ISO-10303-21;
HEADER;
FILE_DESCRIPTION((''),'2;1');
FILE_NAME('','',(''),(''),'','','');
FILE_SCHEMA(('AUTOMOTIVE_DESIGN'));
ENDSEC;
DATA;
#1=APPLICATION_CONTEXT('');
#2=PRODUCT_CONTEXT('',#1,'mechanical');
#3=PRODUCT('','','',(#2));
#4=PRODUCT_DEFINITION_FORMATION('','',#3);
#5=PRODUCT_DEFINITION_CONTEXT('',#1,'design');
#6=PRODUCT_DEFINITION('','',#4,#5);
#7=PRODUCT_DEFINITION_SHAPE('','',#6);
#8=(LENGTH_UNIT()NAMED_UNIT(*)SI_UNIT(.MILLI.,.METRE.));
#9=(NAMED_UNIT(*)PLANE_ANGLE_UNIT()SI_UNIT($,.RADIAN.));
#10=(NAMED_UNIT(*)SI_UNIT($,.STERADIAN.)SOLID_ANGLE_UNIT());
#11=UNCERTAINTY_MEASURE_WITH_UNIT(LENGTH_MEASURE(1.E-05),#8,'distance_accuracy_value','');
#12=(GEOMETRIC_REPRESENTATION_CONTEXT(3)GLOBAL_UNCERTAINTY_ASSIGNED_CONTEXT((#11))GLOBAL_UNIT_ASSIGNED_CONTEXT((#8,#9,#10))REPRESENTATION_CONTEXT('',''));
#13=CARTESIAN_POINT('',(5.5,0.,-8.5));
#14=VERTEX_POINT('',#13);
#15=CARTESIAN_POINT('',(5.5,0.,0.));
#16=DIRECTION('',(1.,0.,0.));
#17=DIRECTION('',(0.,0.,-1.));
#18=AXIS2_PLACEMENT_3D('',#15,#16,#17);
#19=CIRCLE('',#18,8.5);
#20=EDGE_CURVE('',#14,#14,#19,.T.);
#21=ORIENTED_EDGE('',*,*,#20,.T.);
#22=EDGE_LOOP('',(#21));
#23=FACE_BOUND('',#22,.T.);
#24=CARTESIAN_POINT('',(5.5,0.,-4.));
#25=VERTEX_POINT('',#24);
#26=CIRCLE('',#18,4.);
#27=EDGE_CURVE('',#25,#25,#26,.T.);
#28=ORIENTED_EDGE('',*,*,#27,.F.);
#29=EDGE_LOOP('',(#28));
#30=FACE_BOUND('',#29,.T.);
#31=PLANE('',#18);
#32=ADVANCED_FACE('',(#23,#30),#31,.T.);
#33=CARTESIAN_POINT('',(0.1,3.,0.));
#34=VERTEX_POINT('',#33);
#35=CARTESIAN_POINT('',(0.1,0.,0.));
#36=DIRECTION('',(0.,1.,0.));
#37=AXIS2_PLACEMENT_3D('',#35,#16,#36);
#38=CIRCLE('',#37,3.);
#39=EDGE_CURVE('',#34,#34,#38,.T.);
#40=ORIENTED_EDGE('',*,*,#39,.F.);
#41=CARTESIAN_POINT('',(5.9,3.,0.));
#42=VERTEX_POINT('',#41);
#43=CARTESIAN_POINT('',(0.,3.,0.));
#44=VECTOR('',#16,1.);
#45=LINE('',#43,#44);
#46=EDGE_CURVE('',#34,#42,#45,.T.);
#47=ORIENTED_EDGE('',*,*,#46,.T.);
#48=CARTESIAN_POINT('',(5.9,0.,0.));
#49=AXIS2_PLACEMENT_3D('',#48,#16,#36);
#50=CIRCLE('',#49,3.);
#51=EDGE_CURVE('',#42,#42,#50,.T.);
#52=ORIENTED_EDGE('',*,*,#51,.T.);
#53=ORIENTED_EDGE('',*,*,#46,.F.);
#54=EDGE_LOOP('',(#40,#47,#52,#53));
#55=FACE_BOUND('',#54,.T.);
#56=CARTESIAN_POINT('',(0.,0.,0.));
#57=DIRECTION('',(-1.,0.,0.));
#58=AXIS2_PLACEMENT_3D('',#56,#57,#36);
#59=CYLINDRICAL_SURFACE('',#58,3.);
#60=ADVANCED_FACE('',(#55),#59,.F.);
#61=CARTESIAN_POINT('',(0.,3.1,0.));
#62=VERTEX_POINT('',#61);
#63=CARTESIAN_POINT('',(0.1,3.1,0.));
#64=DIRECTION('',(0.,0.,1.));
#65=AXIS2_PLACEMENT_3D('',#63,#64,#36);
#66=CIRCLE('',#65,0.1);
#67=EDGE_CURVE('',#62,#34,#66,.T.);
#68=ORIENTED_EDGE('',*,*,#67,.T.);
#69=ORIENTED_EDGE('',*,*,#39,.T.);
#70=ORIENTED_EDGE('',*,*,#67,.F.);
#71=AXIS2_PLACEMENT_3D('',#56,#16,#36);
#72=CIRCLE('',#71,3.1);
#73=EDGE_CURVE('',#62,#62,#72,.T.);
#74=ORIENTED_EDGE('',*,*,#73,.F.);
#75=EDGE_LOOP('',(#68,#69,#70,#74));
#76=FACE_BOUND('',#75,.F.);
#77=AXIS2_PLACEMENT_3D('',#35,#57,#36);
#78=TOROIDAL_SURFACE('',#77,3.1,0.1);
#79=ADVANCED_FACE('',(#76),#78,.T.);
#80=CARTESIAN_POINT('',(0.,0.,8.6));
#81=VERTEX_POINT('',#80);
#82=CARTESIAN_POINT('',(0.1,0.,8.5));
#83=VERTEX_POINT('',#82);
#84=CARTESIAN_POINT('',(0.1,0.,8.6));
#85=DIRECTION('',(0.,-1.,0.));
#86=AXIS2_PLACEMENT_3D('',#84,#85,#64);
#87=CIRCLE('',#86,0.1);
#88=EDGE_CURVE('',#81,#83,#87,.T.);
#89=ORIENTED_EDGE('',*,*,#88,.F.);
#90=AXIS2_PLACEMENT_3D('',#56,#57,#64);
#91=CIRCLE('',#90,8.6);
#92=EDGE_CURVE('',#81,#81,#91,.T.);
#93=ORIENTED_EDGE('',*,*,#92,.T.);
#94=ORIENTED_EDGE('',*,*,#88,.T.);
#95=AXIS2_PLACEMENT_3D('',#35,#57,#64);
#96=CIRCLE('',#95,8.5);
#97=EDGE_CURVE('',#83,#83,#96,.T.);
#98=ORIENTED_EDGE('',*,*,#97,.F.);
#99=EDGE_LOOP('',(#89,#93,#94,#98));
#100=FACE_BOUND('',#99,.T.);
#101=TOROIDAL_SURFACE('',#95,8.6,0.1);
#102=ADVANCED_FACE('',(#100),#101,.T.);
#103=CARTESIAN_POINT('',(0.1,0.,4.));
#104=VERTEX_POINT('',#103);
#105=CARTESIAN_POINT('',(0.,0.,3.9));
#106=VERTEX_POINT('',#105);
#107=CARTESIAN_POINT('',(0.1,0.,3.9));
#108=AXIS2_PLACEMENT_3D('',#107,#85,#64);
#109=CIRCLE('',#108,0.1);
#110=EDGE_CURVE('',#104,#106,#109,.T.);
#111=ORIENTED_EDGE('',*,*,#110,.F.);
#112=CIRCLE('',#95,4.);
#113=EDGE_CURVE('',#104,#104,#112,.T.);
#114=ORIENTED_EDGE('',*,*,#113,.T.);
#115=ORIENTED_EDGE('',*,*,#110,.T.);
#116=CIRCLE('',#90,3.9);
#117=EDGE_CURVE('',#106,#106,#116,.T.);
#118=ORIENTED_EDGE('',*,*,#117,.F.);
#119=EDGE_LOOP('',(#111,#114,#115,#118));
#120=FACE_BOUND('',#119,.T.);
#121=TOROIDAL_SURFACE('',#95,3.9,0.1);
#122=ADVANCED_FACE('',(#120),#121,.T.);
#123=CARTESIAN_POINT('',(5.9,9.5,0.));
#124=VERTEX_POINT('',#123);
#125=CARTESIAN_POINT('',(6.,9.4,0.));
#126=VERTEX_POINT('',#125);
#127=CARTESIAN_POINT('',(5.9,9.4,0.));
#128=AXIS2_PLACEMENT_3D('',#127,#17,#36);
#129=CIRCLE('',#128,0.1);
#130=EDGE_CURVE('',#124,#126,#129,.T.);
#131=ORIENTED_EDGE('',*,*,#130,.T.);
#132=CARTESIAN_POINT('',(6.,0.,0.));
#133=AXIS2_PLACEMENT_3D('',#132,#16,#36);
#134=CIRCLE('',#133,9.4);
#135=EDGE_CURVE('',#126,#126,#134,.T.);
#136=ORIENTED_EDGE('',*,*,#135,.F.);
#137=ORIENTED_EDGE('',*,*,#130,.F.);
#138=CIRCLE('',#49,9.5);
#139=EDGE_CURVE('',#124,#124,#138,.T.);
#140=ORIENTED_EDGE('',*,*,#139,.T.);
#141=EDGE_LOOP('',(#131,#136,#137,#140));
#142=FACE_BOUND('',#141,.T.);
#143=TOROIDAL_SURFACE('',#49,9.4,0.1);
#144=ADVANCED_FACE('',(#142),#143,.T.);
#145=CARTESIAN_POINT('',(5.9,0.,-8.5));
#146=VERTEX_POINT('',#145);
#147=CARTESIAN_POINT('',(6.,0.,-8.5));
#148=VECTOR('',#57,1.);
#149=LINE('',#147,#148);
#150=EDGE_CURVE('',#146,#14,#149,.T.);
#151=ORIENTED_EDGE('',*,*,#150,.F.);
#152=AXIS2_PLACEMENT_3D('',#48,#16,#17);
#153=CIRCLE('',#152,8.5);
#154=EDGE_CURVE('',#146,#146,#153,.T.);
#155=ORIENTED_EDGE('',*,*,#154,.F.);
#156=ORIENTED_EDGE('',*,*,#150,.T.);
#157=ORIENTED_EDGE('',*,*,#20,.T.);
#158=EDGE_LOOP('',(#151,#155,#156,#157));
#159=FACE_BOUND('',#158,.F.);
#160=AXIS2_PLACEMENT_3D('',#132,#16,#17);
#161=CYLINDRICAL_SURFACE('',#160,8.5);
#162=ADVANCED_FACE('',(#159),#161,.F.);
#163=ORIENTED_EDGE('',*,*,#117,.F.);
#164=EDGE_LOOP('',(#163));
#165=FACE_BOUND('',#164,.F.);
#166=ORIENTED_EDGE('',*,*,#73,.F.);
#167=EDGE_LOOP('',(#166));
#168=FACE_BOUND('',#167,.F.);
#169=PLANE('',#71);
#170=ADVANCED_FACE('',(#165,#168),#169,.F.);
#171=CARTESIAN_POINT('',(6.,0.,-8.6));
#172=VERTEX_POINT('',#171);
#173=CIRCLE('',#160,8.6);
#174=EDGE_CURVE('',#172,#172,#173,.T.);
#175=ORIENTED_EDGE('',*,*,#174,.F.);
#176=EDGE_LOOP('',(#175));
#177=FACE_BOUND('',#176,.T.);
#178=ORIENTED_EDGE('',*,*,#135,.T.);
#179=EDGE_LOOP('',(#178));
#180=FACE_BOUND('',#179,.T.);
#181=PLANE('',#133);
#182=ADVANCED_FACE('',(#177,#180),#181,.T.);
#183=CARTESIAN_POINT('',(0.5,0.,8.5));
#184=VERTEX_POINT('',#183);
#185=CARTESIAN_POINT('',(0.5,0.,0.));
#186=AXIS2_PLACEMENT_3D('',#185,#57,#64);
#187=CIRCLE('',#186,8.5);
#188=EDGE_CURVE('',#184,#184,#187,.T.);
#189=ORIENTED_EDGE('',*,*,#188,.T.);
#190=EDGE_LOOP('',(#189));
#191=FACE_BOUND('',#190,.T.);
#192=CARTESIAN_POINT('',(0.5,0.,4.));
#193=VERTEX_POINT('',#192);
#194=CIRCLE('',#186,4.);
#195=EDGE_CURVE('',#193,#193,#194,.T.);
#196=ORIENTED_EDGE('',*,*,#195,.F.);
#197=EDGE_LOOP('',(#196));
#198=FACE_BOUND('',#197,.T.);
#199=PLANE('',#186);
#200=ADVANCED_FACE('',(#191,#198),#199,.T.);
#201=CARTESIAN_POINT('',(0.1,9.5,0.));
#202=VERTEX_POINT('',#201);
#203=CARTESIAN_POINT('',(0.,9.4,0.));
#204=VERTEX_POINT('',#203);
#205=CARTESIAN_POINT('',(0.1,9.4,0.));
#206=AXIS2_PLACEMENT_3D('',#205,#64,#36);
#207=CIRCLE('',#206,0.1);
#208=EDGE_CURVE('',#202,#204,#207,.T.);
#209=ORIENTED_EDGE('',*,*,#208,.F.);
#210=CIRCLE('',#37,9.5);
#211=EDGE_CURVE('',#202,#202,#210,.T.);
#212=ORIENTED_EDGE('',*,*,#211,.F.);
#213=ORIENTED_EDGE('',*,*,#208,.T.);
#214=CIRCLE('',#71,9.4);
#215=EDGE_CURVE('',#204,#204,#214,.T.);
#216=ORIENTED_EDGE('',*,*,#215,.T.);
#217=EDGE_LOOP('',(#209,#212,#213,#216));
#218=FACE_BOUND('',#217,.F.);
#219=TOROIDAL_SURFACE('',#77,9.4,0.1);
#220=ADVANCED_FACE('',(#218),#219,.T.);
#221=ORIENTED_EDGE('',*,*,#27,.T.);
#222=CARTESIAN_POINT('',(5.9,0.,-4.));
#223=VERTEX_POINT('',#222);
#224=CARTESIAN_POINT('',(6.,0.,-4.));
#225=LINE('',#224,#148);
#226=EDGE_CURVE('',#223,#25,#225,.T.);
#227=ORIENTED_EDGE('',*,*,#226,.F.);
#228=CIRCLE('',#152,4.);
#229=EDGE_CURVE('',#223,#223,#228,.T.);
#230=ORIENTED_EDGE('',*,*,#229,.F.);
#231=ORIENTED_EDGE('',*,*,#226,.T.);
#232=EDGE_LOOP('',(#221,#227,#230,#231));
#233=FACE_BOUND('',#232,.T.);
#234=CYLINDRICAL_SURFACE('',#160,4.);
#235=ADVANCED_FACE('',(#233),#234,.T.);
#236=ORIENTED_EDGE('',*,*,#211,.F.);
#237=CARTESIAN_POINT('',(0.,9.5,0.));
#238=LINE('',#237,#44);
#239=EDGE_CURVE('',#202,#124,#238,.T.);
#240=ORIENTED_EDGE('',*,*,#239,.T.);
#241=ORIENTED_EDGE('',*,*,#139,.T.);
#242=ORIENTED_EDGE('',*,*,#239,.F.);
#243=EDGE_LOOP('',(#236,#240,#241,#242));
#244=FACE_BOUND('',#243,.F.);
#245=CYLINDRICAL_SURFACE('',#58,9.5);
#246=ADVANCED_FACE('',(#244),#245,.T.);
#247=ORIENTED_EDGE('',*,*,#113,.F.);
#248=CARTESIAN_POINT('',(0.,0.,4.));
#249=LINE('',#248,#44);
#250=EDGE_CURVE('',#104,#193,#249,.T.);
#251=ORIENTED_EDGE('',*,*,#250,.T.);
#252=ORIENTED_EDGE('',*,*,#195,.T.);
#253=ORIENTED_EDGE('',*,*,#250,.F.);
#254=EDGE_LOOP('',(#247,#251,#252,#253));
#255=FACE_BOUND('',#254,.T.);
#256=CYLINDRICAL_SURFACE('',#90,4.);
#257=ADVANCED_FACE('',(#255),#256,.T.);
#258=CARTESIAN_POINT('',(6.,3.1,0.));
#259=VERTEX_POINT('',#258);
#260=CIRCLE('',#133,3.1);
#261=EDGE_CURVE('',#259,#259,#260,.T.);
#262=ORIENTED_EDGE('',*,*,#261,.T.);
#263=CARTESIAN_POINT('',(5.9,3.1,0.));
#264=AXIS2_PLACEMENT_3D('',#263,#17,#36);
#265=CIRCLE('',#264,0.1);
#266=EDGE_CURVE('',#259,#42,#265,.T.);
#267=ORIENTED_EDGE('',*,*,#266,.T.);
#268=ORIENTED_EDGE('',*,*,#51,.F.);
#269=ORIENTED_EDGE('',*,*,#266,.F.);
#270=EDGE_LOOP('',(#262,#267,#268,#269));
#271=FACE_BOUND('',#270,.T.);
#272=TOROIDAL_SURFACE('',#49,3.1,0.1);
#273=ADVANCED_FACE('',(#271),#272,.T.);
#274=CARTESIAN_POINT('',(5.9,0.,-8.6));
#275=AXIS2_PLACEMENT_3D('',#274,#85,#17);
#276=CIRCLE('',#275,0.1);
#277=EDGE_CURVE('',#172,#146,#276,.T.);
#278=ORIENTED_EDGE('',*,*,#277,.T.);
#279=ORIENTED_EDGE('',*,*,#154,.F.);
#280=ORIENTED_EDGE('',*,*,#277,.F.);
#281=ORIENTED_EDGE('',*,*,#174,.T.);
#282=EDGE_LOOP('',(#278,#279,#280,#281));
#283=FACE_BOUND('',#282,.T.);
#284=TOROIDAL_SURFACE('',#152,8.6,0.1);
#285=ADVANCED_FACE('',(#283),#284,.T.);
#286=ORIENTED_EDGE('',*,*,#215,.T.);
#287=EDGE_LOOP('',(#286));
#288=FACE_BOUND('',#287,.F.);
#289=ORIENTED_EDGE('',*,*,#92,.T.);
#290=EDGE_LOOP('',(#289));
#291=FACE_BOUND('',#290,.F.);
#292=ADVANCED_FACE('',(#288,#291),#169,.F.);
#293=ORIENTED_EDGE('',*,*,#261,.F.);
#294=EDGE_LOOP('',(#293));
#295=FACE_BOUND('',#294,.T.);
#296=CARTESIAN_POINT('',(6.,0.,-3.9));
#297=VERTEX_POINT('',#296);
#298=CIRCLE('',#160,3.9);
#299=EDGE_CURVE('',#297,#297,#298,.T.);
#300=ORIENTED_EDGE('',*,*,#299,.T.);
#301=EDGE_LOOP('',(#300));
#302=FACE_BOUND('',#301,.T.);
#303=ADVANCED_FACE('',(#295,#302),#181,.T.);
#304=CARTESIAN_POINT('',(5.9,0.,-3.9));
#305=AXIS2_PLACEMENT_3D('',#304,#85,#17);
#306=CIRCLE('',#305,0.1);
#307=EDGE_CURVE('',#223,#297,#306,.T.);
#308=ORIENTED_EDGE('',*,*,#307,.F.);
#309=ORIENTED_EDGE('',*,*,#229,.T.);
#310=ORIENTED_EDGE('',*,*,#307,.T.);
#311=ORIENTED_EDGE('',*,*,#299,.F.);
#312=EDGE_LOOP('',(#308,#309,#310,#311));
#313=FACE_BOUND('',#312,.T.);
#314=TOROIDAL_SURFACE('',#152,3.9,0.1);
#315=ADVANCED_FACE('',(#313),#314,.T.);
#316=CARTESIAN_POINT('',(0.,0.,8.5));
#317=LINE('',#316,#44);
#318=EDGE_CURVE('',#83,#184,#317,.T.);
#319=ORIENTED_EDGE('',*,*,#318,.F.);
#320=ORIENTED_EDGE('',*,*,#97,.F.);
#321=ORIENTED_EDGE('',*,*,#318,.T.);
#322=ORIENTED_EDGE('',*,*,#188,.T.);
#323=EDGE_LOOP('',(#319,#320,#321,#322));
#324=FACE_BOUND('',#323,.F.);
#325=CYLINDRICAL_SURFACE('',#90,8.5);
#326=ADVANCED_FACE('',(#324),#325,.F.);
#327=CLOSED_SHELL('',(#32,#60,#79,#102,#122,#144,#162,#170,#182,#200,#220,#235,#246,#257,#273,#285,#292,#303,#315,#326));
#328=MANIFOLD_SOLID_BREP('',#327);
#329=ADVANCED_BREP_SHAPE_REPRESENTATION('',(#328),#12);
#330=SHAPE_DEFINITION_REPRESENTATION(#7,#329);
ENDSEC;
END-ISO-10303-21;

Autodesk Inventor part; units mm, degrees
ref_plane "YZ Plane" through (0, 0, 0) normal (1, 0, 0) x (0, 1, 0)
ref_plane "XZ Plane" through (0, 0, 0) normal (0, 1, 0) x (-1, 0, 0)
ref_plane "XY Plane" through (0, 0, 0) normal (0, 0, 1) x (1, 0, 0)
sketch "Эскиз1" plane through (0, 0, 0) normal (1, 0, 0) x (0, 1, 0)
  circle A0 centre (0, 0) radius 3
  circle A1 centre (0, 0) radius 9.5
  dimension "d0" = 6
  dimension "d1" = 19
extrude "Выдавливание1" add sketch "Эскиз1" along normal blind 6
sketch "Эскиз2" plane through (6, 0, 0) normal (1, 0, 0) x (0, 0, -1)
  circle A0 centre (0, 0) radius 4
  circle A1 centre (0, 0) radius 8.5
  dimension "d4" = 8
  dimension "d5" = 17
extrude "Выдавливание2" cut sketch "Эскиз2" against normal blind 0.5
sketch "Эскиз3" plane through (0, 0, 0) normal (-1, 0, 0) x (0, 0, 1)
  circle A0 centre (0, 0) radius 4 projected
  circle A1 centre (0, 0) radius 8.5 projected
  circle A2 centre (0, 0) radius 4
  circle A3 centre (0, 0) radius 8.5
extrude "Выдавливание3" cut sketch "Эскиз3" against normal blind 0.5
fillet "Сопряжение1" radius 0.1 8 edges at (6, -9.5, 0) (6, 0, 8.5) (6, 0, 4) (6, -3, 0) (0, -9.5, 0) (0, 0, -8.5) (0, 0, -4) (0, -3, 0)
properties part number "Подшипник 685"
